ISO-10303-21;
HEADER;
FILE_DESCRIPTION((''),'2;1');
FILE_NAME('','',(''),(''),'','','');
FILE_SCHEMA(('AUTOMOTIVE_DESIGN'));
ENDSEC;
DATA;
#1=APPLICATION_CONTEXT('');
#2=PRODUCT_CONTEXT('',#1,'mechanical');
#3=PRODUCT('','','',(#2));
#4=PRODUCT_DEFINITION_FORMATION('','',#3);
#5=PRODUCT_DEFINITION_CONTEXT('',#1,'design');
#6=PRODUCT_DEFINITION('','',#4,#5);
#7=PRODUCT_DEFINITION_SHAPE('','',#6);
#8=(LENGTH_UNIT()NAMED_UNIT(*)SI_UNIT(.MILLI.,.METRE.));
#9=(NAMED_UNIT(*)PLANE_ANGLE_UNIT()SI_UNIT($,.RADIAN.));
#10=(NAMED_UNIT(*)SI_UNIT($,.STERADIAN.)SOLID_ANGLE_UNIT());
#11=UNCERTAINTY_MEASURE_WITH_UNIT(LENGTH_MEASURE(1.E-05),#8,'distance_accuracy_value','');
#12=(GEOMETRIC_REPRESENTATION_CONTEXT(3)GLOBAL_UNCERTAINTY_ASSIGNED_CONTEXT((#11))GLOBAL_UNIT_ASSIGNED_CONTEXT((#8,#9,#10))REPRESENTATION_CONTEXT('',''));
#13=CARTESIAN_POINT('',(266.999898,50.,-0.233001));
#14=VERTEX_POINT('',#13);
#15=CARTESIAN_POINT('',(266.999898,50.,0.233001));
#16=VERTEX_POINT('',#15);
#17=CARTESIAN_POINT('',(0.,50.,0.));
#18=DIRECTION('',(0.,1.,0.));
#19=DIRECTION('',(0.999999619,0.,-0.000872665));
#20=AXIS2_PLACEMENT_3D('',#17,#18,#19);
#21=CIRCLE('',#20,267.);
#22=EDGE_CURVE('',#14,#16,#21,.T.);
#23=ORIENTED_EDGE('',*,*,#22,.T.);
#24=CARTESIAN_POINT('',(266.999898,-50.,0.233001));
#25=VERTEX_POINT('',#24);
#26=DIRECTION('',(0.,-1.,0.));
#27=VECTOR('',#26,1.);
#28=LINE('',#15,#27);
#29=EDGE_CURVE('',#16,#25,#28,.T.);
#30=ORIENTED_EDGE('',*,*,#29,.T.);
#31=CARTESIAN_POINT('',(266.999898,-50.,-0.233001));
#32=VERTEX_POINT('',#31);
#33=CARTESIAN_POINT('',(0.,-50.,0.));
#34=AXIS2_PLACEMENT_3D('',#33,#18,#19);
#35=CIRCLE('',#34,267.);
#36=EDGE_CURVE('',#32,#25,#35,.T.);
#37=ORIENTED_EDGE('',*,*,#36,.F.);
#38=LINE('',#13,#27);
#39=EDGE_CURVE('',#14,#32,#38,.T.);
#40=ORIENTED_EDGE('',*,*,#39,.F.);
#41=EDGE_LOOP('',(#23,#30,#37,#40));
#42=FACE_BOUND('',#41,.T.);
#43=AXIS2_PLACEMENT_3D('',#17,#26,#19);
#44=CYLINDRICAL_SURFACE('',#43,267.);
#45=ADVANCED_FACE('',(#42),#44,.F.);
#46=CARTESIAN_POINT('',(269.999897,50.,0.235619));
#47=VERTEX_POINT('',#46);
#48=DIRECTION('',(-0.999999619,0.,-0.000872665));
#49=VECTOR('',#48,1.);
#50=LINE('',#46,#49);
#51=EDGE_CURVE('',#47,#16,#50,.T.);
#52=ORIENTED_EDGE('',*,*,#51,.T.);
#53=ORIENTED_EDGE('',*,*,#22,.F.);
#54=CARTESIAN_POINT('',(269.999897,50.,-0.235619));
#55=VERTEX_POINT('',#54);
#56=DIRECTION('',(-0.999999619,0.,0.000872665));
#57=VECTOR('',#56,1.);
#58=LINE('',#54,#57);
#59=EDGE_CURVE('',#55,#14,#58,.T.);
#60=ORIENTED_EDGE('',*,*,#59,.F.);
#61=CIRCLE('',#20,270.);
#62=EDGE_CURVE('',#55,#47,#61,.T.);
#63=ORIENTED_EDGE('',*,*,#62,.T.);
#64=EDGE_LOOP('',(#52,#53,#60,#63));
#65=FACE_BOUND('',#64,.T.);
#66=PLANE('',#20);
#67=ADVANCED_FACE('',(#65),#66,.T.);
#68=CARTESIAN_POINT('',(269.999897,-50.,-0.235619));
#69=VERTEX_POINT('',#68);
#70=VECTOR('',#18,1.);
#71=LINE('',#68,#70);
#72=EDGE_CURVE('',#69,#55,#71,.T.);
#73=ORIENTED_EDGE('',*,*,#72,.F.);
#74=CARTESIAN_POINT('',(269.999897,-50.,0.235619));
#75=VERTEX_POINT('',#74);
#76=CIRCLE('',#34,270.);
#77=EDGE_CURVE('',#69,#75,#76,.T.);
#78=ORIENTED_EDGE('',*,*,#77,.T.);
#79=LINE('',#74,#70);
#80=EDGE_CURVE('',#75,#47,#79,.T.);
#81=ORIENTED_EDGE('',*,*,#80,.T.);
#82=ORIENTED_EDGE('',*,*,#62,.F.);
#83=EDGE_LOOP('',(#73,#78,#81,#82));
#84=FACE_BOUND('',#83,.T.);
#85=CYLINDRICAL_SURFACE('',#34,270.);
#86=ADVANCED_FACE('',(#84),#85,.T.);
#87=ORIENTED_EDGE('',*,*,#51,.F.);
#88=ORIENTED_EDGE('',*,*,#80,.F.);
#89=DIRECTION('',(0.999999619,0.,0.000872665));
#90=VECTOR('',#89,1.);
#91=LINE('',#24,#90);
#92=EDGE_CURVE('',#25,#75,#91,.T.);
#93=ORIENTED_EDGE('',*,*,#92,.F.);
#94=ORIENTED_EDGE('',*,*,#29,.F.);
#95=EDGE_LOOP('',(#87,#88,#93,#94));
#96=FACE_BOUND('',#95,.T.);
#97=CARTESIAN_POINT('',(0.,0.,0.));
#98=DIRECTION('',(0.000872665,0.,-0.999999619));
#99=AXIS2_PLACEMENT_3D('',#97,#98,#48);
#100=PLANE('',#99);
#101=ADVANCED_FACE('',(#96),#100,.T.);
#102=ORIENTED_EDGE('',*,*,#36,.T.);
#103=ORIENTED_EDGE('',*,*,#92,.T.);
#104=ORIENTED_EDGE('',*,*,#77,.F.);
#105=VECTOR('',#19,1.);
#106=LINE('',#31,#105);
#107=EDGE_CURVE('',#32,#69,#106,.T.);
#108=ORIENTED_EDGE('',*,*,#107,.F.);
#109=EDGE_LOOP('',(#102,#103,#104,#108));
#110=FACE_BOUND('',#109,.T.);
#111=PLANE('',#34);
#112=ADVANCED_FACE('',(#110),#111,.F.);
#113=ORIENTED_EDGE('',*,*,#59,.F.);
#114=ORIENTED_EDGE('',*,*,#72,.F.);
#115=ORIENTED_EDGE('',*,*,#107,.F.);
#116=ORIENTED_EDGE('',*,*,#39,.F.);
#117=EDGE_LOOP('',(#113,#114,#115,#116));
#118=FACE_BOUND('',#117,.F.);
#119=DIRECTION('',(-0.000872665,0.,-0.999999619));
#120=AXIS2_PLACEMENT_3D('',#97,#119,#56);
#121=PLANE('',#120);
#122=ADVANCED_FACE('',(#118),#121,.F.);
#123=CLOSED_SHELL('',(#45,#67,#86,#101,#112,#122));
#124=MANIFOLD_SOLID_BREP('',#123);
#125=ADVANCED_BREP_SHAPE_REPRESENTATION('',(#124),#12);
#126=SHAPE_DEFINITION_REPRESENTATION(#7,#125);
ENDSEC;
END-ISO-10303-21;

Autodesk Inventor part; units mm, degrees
ref_plane "YZ Plane" through (0, 0, 0) normal (1, 0, 0) x (0, 1, 0)
ref_plane "XZ Plane" through (0, 0, 0) normal (0, 1, 0) x (-1, 0, 0)
ref_plane "XY Plane" through (0, 0, 0) normal (0, 0, 1) x (1, 0, 0)
sketch "Sketch3" plane through (0, 0, 0) normal (0, 0, 1) x (1, 0, 0)
  line L0 (-270, 50) -> (-267, 50)
  line L1 (-267, 50) -> (-267, -50)
  line L2 (-267, -50) -> (-270, -50)
  line L3 (-270, -50) -> (-270, 50)
  line L4 (0, -70) -> (0, 70) projected
  point P0 (0, 0)
  point P1 (-270, 0)
  dimension "d1" = 3
  dimension "d2" = 100
  dimension "d3" = 270
revolve "Revolution1" add sketch "Sketch3" angle 359.9 mid plane about axis through (0, -10, 0) along (0, 1, 0)
equation "\"BendReliefWidth\" = Thickness"
equation "\"BendReliefDepth\" = 0.5 * Thickness"
equation "\"CornerReliefSize\" = 4 * Thickness"
equation "\"MinimumRemnant\" = 2 * Thickness"
equation "\"TransitionRadius\" = BendRadius"
equation "\"JacobiRadiusSize\" = BendRadius"
equation "\"GapSize\" = Thickness"
equation "\"Thickness\" = 3"
equation "\"BendRadius\" = 5"
properties part number "MSC 402 RING" material "Stainless Steel"
